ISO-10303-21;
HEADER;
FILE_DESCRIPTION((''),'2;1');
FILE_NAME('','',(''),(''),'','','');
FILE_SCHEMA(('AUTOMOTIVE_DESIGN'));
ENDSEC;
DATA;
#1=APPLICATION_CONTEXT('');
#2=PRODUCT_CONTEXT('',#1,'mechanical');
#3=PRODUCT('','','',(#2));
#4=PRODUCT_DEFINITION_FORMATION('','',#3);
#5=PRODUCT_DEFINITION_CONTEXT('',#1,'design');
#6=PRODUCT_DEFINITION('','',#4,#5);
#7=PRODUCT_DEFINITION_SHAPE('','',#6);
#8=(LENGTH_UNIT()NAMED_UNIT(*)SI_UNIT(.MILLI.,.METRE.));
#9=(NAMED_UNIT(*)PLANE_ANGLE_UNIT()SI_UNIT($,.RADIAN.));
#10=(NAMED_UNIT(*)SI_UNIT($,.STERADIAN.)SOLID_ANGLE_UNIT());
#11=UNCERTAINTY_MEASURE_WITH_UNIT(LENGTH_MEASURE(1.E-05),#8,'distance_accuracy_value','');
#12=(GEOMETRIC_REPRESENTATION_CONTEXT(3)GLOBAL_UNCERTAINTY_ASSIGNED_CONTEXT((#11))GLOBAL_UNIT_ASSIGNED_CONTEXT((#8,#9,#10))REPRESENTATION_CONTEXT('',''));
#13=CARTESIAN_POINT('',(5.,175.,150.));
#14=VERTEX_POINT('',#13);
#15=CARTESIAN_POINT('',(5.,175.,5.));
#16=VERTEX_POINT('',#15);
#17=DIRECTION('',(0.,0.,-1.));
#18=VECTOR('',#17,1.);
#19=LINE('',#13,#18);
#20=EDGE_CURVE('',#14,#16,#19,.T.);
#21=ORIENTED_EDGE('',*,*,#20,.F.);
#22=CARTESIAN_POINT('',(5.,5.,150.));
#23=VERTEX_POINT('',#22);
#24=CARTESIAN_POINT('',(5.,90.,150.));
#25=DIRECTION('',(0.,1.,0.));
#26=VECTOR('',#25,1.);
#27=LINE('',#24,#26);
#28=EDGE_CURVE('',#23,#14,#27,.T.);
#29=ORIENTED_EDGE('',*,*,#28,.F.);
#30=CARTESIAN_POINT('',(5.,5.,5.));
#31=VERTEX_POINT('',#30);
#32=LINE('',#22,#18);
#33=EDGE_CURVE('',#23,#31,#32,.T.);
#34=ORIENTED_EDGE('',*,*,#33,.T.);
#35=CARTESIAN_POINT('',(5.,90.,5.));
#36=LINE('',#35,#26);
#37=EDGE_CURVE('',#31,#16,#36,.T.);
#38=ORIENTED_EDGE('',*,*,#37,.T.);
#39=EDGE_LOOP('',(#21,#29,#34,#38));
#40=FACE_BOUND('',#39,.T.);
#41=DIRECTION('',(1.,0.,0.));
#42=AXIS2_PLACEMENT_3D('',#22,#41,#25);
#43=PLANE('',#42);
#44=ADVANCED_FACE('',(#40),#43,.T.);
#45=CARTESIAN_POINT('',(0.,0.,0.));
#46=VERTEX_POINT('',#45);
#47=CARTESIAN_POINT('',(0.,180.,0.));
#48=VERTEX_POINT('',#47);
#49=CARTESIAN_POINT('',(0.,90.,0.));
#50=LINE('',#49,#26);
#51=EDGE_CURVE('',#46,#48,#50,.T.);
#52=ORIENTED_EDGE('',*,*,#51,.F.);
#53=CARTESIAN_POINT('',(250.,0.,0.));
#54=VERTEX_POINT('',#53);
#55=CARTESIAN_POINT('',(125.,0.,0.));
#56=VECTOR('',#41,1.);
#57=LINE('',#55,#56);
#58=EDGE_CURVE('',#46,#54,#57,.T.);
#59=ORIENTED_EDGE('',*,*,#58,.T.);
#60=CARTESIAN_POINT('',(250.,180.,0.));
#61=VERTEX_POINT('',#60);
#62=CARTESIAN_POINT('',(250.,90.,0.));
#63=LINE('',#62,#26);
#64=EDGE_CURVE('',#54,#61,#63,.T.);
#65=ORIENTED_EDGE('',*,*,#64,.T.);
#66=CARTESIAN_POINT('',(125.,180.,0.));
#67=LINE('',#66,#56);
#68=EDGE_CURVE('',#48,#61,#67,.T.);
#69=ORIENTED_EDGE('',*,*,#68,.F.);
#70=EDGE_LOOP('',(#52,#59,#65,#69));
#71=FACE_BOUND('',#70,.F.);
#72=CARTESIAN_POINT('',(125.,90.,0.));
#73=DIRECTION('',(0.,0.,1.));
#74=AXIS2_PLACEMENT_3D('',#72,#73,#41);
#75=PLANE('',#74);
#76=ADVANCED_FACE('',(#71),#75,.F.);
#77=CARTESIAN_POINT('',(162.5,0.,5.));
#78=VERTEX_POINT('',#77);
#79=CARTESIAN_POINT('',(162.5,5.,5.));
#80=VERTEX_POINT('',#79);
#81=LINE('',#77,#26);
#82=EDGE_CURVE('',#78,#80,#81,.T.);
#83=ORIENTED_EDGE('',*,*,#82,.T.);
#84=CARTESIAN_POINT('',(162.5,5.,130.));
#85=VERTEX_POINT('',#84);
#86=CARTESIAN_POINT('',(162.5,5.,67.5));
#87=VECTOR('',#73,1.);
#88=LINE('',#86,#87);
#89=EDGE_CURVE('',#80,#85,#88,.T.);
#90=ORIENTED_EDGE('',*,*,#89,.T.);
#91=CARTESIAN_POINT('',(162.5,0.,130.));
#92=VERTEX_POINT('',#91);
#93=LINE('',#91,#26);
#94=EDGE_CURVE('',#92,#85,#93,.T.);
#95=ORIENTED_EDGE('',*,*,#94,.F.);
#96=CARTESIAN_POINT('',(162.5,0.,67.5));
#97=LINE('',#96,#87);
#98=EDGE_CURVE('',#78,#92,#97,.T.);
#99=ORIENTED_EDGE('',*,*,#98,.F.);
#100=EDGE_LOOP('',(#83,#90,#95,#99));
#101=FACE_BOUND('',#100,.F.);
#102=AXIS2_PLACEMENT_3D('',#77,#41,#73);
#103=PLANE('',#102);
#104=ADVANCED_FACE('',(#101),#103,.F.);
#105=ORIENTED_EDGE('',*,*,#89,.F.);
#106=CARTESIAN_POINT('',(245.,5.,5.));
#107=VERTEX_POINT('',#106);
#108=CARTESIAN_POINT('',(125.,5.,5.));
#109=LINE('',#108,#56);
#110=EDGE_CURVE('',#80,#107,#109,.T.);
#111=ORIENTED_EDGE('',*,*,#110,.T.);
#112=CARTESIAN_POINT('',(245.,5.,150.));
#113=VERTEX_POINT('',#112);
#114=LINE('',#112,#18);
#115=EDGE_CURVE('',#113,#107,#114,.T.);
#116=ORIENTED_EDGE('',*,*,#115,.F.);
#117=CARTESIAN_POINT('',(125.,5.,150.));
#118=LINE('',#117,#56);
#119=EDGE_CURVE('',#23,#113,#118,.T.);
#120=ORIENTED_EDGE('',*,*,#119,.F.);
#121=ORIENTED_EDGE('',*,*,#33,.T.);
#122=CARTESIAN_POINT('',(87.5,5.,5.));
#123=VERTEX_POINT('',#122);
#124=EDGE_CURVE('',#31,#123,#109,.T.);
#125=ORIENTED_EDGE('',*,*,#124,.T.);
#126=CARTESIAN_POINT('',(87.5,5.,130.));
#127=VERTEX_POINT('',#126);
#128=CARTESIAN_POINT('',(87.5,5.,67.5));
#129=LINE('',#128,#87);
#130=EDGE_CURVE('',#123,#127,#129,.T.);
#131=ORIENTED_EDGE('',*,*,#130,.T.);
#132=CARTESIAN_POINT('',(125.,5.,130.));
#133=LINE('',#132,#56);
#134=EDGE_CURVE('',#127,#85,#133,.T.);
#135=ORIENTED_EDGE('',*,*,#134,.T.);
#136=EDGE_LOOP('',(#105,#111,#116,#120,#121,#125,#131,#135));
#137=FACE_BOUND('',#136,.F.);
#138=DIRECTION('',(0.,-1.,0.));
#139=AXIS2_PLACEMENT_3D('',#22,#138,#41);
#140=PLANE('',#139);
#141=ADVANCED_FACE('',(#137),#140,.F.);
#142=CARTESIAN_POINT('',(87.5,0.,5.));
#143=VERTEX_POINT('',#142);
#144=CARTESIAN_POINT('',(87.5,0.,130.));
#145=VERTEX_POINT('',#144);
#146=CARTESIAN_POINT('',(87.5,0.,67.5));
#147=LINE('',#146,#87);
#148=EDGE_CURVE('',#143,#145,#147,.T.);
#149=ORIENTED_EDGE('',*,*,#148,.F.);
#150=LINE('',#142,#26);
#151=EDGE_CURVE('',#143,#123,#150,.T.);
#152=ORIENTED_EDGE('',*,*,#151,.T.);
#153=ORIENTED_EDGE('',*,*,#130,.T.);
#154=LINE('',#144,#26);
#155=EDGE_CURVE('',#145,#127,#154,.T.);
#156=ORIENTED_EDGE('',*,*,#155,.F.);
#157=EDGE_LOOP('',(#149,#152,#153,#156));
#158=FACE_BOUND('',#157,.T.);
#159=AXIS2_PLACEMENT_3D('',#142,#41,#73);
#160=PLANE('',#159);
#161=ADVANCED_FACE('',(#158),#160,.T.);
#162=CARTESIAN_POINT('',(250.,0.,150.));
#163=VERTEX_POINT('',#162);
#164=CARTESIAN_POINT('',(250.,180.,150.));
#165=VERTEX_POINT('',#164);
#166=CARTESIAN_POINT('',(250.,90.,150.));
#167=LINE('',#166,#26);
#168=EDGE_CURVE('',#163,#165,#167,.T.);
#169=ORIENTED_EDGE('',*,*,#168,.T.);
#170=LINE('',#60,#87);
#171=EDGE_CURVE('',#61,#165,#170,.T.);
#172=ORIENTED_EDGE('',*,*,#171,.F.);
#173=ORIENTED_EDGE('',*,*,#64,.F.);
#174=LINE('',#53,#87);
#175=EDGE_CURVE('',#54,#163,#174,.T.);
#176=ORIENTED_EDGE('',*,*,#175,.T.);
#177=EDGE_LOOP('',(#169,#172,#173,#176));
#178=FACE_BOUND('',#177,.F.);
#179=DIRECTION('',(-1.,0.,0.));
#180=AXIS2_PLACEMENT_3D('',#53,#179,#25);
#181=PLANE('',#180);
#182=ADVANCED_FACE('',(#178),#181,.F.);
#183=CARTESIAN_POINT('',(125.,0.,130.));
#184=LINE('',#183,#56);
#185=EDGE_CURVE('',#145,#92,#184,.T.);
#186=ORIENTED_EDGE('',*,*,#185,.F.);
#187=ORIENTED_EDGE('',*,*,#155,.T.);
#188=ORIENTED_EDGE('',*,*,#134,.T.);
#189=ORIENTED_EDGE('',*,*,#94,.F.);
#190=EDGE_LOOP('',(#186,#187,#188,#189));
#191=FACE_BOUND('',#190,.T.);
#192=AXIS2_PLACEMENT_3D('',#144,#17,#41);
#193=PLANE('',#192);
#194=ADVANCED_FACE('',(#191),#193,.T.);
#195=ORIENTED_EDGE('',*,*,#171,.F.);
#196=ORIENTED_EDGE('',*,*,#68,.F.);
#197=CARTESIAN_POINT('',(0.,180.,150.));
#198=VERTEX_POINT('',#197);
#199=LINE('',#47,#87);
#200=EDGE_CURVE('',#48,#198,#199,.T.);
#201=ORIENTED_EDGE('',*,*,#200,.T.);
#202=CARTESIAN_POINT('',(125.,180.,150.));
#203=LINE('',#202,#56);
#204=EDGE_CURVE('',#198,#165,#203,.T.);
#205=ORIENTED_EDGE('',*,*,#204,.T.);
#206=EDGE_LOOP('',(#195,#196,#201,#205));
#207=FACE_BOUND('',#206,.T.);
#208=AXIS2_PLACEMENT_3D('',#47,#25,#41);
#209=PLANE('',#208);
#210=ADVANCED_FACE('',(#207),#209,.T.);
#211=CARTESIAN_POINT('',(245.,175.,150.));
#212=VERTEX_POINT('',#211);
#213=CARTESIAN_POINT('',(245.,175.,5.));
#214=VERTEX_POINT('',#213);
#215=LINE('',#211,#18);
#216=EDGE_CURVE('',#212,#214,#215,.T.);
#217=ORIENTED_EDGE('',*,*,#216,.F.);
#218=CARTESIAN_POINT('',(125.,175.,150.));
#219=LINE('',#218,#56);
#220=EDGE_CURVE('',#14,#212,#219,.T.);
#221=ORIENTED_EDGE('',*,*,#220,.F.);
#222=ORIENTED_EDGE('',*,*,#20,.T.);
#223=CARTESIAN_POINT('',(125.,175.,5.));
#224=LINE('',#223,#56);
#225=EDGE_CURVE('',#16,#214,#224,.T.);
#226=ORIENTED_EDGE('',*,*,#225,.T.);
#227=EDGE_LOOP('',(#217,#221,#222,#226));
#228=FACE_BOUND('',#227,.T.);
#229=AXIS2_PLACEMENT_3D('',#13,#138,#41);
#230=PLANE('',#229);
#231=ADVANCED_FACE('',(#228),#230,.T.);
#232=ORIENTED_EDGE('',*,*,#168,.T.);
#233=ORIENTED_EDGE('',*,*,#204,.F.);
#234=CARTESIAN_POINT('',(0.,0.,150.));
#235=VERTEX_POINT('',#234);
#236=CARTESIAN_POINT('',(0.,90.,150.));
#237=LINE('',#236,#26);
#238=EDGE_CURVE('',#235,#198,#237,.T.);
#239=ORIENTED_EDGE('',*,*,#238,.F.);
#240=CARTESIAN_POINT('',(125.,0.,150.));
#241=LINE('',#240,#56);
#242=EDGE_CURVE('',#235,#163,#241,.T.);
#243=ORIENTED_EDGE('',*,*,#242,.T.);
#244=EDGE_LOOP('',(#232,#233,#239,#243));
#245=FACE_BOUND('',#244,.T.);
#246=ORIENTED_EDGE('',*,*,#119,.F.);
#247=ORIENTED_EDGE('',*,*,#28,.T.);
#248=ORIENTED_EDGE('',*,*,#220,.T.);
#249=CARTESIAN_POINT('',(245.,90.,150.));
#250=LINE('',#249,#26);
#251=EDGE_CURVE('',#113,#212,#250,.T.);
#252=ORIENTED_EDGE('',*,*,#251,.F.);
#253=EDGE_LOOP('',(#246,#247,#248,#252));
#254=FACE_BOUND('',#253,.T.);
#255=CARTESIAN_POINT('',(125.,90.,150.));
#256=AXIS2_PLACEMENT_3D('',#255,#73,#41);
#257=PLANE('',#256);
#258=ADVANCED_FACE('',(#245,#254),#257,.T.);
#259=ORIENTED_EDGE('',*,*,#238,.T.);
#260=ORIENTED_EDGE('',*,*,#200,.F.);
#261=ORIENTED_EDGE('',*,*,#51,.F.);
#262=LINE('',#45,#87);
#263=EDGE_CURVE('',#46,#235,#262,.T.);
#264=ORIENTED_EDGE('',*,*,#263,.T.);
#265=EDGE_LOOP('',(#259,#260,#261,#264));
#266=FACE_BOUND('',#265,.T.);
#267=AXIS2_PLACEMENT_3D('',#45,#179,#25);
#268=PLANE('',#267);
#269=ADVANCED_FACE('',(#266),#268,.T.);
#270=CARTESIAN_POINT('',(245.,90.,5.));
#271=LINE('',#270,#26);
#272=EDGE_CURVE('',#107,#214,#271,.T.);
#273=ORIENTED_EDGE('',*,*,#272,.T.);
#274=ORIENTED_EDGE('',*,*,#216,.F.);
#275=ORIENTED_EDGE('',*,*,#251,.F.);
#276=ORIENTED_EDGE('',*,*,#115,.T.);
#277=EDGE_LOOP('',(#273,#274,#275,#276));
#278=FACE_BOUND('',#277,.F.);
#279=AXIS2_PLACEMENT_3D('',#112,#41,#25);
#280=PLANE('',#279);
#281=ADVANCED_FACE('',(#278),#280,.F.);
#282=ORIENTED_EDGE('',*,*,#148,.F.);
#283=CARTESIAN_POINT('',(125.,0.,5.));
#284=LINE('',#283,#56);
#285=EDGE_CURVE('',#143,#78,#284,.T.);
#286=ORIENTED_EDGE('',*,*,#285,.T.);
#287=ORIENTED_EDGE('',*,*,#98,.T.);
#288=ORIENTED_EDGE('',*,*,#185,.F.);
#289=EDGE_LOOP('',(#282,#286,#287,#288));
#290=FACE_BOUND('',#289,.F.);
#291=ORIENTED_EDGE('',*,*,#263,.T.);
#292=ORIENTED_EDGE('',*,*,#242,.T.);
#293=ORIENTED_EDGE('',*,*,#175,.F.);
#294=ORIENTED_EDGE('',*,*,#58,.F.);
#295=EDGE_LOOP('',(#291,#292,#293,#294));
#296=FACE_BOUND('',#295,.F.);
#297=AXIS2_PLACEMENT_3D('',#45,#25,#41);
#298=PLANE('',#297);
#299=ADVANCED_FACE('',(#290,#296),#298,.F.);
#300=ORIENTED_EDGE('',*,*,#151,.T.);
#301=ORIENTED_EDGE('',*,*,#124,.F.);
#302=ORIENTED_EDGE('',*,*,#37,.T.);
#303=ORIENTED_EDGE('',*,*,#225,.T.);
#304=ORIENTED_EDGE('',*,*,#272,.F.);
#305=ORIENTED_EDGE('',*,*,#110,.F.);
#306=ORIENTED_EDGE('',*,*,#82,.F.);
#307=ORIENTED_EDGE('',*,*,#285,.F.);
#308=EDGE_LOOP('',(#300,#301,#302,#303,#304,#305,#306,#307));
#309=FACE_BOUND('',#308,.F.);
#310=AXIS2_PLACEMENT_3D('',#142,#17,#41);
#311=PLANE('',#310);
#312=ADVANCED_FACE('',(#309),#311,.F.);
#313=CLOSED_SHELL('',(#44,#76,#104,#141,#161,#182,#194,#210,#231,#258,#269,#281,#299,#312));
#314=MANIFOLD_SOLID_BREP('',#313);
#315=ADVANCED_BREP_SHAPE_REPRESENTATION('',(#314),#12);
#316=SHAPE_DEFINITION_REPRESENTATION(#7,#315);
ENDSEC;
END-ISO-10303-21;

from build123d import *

# Parameters (mm, degrees)
SKETCH_W        = 250
SKETCH_H        = 180
PAD_DEPTH       = 150
SKETCH001_W     = 240
SKETCH001_H     = 170
POCKET_DEPTH    = 145
SKETCH002_W     = 75
SKETCH002_H     = 125
POCKET001_DEPTH = 5


with BuildPart() as part:
    # Sketch → Pad (new body)
    with BuildSketch(Plane.XY):
        with Locations((125, 90)):
            Rectangle(SKETCH_W, SKETCH_H)
    extrude(amount=PAD_DEPTH)

    # Sketch001 (on Face6 of Pad) → Pocket (cut)
    with BuildSketch(Plane.XY.offset(150)):
        with Locations((125, 90)):
            Rectangle(SKETCH001_W, SKETCH001_H)
    extrude(amount=-POCKET_DEPTH, mode=Mode.SUBTRACT)

    # Sketch002 (on Face6 of Pocket) → Pocket001 (cut)
    with BuildSketch(Plane.XZ):
        with Locations((125, 67.5)):
            Rectangle(SKETCH002_W, SKETCH002_H)
    extrude(amount=-POCKET001_DEPTH, mode=Mode.SUBTRACT)


solid = part.part
